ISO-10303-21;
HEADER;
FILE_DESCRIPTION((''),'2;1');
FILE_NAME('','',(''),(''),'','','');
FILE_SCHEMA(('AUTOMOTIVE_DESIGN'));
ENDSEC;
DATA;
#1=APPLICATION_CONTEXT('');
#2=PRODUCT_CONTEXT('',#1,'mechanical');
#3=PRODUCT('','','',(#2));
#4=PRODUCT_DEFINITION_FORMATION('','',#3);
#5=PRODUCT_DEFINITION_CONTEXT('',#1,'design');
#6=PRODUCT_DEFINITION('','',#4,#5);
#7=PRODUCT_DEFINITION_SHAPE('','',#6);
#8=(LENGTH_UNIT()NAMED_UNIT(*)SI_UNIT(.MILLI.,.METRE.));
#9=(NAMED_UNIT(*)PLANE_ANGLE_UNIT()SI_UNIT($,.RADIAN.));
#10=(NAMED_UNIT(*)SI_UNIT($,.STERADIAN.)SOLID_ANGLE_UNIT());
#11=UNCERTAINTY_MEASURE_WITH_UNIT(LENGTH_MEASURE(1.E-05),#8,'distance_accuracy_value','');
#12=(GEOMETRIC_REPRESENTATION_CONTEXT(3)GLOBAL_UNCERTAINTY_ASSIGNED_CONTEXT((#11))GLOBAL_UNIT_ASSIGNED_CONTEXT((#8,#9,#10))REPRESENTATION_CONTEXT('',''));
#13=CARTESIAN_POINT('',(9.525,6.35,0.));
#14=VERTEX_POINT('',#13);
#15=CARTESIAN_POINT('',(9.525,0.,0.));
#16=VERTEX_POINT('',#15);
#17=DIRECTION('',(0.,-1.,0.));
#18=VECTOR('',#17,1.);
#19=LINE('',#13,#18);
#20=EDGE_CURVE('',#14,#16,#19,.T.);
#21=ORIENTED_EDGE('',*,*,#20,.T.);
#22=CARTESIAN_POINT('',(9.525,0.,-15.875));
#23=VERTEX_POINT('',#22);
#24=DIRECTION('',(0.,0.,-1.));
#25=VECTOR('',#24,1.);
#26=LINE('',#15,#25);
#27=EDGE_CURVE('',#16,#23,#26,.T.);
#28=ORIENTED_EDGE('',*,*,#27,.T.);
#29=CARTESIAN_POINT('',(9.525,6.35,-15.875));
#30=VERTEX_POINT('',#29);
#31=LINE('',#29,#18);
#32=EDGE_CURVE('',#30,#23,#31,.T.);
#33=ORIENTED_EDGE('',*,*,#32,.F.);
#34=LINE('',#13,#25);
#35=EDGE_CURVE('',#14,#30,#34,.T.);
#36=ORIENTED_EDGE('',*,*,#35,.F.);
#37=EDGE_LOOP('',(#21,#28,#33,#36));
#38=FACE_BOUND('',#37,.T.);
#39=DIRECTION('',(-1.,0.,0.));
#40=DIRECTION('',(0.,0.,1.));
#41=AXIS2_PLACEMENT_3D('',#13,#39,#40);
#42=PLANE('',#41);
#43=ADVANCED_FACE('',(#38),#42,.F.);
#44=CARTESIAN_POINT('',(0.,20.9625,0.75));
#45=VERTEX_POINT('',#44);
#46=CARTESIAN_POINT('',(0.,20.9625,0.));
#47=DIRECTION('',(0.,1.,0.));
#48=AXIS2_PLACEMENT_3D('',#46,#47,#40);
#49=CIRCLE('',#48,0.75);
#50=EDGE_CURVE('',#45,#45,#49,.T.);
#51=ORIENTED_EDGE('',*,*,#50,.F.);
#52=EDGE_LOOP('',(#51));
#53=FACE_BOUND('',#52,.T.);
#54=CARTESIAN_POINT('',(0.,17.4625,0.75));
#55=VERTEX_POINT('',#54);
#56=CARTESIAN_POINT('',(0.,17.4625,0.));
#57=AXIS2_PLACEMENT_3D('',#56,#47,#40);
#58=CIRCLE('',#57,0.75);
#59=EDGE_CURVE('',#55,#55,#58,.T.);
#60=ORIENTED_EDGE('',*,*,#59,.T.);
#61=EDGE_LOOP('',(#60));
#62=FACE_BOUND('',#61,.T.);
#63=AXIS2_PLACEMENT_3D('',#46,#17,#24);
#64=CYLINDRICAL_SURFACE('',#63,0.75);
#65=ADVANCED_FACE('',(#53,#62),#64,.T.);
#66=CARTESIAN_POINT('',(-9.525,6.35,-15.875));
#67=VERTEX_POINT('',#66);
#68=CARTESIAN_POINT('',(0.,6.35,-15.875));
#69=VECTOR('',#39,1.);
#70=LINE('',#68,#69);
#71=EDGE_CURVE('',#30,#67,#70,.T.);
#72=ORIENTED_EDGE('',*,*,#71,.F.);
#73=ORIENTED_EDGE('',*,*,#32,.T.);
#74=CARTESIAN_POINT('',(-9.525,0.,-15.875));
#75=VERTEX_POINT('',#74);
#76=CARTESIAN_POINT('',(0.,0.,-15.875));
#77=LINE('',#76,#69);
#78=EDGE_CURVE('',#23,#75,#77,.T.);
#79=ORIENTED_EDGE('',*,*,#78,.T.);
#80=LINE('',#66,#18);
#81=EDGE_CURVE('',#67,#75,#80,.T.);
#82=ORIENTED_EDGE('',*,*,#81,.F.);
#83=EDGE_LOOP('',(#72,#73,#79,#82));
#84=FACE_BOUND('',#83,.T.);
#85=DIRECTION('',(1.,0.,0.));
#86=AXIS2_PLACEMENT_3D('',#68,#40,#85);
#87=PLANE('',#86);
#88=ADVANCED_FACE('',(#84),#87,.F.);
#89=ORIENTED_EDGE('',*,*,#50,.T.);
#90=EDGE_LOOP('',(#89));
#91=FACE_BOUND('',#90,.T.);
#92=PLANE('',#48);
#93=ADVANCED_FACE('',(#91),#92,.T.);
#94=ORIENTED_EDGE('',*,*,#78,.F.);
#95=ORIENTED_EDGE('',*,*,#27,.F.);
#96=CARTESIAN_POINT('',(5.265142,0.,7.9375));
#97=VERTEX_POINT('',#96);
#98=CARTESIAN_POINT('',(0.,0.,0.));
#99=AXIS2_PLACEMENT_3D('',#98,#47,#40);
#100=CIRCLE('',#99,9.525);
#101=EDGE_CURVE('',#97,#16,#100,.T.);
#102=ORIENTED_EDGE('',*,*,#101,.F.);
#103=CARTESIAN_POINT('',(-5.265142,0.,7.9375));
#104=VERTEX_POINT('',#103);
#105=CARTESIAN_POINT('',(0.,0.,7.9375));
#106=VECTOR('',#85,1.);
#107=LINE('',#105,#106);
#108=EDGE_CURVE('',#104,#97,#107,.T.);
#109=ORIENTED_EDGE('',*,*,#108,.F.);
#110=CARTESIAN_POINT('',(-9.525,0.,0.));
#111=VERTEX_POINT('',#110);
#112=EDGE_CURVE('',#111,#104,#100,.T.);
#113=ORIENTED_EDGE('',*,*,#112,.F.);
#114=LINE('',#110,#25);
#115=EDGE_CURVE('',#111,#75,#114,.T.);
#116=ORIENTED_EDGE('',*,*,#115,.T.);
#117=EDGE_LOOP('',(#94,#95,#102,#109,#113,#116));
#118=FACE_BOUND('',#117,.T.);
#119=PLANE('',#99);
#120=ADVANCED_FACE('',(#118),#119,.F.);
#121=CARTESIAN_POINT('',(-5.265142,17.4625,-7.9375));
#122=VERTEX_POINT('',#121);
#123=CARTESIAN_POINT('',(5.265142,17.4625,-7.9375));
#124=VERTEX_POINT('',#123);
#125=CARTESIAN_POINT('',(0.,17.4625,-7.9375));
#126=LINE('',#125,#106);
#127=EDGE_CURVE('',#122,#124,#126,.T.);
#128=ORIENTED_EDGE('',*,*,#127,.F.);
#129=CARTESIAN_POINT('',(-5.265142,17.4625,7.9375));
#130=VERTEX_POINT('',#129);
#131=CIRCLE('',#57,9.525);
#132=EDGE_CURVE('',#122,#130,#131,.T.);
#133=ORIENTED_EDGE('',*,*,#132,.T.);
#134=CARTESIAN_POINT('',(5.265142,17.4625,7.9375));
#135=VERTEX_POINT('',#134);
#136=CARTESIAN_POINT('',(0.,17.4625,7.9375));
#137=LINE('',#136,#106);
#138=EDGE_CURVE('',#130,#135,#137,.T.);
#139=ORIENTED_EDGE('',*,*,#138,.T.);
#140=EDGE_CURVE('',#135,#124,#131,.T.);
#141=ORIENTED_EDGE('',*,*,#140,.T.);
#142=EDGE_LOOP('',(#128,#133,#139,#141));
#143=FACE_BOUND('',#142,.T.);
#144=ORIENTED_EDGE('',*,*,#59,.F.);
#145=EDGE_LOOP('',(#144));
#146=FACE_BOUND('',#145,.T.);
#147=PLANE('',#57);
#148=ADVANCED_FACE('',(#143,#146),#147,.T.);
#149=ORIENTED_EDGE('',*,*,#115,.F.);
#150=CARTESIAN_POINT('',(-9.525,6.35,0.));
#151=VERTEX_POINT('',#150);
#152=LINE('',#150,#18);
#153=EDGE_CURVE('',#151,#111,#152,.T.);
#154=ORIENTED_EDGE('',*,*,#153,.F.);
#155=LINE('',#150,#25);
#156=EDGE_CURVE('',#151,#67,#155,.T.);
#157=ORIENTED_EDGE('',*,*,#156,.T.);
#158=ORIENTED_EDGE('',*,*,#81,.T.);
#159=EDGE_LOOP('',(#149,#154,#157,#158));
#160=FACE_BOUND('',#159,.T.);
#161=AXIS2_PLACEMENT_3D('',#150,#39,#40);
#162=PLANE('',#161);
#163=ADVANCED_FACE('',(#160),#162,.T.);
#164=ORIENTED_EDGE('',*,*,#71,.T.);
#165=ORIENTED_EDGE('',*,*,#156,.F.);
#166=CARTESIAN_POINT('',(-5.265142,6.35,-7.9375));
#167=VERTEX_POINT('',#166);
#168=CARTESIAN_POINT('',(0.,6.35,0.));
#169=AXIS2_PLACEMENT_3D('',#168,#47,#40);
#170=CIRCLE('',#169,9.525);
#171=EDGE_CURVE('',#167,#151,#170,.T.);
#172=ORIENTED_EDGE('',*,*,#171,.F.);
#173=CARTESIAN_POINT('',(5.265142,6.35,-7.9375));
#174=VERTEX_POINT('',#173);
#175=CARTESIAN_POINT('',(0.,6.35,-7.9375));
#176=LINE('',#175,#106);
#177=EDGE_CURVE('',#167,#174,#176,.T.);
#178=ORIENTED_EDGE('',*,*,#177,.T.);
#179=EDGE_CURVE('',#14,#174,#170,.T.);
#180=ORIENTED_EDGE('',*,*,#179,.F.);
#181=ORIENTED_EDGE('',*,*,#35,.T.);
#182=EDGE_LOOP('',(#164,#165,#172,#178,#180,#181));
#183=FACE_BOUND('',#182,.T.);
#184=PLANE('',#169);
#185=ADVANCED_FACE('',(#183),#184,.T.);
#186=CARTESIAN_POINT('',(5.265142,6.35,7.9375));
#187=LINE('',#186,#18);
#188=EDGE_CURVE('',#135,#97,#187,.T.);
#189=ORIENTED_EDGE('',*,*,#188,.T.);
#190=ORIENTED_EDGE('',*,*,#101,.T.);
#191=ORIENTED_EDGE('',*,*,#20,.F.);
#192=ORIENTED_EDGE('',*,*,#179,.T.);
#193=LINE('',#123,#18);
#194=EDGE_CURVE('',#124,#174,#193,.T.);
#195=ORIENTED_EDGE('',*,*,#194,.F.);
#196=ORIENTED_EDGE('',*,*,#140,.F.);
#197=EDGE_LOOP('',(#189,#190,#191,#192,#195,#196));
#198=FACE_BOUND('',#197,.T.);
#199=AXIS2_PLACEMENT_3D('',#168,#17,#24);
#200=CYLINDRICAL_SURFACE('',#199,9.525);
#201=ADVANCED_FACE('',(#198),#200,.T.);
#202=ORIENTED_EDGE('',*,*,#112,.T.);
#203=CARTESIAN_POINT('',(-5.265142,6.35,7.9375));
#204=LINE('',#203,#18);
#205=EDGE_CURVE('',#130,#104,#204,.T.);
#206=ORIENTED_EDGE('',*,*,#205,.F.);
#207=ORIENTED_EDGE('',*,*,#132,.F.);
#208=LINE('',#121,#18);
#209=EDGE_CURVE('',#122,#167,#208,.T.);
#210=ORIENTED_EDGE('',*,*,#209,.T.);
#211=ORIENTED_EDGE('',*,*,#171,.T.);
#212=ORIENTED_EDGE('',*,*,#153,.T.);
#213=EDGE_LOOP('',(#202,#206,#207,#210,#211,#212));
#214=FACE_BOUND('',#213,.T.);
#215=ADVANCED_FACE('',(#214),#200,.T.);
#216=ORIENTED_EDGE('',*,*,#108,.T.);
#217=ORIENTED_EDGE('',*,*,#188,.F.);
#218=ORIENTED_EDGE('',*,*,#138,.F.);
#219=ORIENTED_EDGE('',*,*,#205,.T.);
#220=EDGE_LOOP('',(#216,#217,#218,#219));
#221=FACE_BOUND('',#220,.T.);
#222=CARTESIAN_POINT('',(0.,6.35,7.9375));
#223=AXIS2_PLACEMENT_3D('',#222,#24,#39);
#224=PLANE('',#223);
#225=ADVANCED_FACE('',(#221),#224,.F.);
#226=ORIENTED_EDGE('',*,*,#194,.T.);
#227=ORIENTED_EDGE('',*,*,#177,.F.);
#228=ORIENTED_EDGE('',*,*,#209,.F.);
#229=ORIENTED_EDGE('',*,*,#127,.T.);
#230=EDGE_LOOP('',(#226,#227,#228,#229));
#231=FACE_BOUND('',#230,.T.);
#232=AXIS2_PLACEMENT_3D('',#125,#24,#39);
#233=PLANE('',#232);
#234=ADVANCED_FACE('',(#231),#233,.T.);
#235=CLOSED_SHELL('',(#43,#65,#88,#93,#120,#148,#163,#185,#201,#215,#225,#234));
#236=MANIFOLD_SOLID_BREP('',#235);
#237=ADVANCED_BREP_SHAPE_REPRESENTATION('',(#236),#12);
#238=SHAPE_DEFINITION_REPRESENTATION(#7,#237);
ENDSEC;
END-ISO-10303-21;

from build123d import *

# Parameters (mm, degrees)
SKETCH1_W           = 10.53028371
SKETCH1_H           = 7.9375
BOSS_EXTRUDE1_DEPTH = 6.35
SKETCH2_W           = 10.53028371
SKETCH2_H           = 15.875
BOSS_EXTRUDE2_DEPTH = 11.1125
SKETCH3_R           = 0.75
BOSS_EXTRUDE3_DEPTH = 3.5


with BuildPart() as part:
    # Sketch1 → Boss-Extrude1 (new body)
    with BuildSketch(Plane(origin=(0, 0, 0), x_dir=(1, 0, 0), z_dir=(0, 1, 0))):
        with BuildLine():
            Line((-5.265141855, 0), (-5.265141855, 7.9375))
            ThreePointArc((-5.265141855, 7.9375), (-8.392737967, 4.504173), (-9.525, 0))
            Line((-9.525, 0), (-5.265141855, 0))
        make_face()
        with BuildLine():
            Line((-5.265141855, -7.9375), (-5.265141855, 0))
            Line((-5.265141855, 0), (-9.525, 0))
            ThreePointArc((-9.525, 0), (-8.392737967, -4.504173), (-5.265141855, -7.9375))
        make_face()
        with Locations((0, -3.96875)):
            Rectangle(SKETCH1_W, SKETCH1_H)
        with BuildLine():
            ThreePointArc((9.525, 0), (8.392737967, 4.504173), (5.265141855, 7.9375))
            Line((5.265141855, 7.9375), (5.265141855, 0))
            Line((5.265141855, 0), (9.525, 0))
        make_face()
        with BuildLine():
            Line((9.525, 0), (5.265141855, 0))
            Line((5.265141855, 0), (5.265141855, -7.9375))
            ThreePointArc((5.265141855, -7.9375), (8.392737967, -4.504173), (9.525, 0))
        make_face()
        with BuildLine():
            ThreePointArc((-9.525, 0), (-8.392737967, 4.504173), (-5.265141855, 7.9375))
            ThreePointArc((-5.265141855, 7.9375), (0, 9.525), (5.265141855, 7.9375))
            ThreePointArc((5.265141855, 7.9375), (8.392737967, 4.504173), (9.525, 0))
            Line((9.525, 0), (9.525, 15.875))
            Line((9.525, 15.875), (-9.525, 15.875))
            Line((-9.525, 15.875), (-9.525, 0))
        make_face()
        with Locations((0, 3.96875)):
            Rectangle(SKETCH1_W, SKETCH1_H)
        with BuildLine():
            ThreePointArc((5.265141855, 7.9375), (0, 9.525), (-5.265141855, 7.9375))
            Line((-5.265141855, 7.9375), (5.265141855, 7.9375))
        make_face()
    extrude(amount=BOSS_EXTRUDE1_DEPTH)

    # Sketch2 → Boss-Extrude2 (add)
    with BuildSketch(Plane(origin=(0, 6.35, 0), x_dir=(1, 0, 0), z_dir=(0, 1, 0))):
        with BuildLine():
            Line((-5.265141855, -7.9375), (-5.265141855, 7.9375))
            ThreePointArc((-5.265141855, 7.9375), (-8.392737967, 4.504173), (-9.525, 0))
            ThreePointArc((-9.525, 0), (-8.392737967, -4.504173), (-5.265141855, -7.9375))
        make_face()
        Rectangle(SKETCH2_W, SKETCH2_H)
        with BuildLine():
            ThreePointArc((9.525, 0), (8.392737967, 4.504173), (5.265141855, 7.9375))
            Line((5.265141855, 7.9375), (5.265141855, -7.9375))
            ThreePointArc((5.265141855, -7.9375), (8.392737967, -4.504173), (9.525, 0))
        make_face()
    extrude(amount=BOSS_EXTRUDE2_DEPTH)

    # Sketch3 → Boss-Extrude3 (add)
    with BuildSketch(Plane(origin=(0, 17.4625, 0), x_dir=(1, 0, 0), z_dir=(0, 1, 0))):
        Circle(SKETCH3_R)
    extrude(amount=BOSS_EXTRUDE3_DEPTH)


solid = part.part
